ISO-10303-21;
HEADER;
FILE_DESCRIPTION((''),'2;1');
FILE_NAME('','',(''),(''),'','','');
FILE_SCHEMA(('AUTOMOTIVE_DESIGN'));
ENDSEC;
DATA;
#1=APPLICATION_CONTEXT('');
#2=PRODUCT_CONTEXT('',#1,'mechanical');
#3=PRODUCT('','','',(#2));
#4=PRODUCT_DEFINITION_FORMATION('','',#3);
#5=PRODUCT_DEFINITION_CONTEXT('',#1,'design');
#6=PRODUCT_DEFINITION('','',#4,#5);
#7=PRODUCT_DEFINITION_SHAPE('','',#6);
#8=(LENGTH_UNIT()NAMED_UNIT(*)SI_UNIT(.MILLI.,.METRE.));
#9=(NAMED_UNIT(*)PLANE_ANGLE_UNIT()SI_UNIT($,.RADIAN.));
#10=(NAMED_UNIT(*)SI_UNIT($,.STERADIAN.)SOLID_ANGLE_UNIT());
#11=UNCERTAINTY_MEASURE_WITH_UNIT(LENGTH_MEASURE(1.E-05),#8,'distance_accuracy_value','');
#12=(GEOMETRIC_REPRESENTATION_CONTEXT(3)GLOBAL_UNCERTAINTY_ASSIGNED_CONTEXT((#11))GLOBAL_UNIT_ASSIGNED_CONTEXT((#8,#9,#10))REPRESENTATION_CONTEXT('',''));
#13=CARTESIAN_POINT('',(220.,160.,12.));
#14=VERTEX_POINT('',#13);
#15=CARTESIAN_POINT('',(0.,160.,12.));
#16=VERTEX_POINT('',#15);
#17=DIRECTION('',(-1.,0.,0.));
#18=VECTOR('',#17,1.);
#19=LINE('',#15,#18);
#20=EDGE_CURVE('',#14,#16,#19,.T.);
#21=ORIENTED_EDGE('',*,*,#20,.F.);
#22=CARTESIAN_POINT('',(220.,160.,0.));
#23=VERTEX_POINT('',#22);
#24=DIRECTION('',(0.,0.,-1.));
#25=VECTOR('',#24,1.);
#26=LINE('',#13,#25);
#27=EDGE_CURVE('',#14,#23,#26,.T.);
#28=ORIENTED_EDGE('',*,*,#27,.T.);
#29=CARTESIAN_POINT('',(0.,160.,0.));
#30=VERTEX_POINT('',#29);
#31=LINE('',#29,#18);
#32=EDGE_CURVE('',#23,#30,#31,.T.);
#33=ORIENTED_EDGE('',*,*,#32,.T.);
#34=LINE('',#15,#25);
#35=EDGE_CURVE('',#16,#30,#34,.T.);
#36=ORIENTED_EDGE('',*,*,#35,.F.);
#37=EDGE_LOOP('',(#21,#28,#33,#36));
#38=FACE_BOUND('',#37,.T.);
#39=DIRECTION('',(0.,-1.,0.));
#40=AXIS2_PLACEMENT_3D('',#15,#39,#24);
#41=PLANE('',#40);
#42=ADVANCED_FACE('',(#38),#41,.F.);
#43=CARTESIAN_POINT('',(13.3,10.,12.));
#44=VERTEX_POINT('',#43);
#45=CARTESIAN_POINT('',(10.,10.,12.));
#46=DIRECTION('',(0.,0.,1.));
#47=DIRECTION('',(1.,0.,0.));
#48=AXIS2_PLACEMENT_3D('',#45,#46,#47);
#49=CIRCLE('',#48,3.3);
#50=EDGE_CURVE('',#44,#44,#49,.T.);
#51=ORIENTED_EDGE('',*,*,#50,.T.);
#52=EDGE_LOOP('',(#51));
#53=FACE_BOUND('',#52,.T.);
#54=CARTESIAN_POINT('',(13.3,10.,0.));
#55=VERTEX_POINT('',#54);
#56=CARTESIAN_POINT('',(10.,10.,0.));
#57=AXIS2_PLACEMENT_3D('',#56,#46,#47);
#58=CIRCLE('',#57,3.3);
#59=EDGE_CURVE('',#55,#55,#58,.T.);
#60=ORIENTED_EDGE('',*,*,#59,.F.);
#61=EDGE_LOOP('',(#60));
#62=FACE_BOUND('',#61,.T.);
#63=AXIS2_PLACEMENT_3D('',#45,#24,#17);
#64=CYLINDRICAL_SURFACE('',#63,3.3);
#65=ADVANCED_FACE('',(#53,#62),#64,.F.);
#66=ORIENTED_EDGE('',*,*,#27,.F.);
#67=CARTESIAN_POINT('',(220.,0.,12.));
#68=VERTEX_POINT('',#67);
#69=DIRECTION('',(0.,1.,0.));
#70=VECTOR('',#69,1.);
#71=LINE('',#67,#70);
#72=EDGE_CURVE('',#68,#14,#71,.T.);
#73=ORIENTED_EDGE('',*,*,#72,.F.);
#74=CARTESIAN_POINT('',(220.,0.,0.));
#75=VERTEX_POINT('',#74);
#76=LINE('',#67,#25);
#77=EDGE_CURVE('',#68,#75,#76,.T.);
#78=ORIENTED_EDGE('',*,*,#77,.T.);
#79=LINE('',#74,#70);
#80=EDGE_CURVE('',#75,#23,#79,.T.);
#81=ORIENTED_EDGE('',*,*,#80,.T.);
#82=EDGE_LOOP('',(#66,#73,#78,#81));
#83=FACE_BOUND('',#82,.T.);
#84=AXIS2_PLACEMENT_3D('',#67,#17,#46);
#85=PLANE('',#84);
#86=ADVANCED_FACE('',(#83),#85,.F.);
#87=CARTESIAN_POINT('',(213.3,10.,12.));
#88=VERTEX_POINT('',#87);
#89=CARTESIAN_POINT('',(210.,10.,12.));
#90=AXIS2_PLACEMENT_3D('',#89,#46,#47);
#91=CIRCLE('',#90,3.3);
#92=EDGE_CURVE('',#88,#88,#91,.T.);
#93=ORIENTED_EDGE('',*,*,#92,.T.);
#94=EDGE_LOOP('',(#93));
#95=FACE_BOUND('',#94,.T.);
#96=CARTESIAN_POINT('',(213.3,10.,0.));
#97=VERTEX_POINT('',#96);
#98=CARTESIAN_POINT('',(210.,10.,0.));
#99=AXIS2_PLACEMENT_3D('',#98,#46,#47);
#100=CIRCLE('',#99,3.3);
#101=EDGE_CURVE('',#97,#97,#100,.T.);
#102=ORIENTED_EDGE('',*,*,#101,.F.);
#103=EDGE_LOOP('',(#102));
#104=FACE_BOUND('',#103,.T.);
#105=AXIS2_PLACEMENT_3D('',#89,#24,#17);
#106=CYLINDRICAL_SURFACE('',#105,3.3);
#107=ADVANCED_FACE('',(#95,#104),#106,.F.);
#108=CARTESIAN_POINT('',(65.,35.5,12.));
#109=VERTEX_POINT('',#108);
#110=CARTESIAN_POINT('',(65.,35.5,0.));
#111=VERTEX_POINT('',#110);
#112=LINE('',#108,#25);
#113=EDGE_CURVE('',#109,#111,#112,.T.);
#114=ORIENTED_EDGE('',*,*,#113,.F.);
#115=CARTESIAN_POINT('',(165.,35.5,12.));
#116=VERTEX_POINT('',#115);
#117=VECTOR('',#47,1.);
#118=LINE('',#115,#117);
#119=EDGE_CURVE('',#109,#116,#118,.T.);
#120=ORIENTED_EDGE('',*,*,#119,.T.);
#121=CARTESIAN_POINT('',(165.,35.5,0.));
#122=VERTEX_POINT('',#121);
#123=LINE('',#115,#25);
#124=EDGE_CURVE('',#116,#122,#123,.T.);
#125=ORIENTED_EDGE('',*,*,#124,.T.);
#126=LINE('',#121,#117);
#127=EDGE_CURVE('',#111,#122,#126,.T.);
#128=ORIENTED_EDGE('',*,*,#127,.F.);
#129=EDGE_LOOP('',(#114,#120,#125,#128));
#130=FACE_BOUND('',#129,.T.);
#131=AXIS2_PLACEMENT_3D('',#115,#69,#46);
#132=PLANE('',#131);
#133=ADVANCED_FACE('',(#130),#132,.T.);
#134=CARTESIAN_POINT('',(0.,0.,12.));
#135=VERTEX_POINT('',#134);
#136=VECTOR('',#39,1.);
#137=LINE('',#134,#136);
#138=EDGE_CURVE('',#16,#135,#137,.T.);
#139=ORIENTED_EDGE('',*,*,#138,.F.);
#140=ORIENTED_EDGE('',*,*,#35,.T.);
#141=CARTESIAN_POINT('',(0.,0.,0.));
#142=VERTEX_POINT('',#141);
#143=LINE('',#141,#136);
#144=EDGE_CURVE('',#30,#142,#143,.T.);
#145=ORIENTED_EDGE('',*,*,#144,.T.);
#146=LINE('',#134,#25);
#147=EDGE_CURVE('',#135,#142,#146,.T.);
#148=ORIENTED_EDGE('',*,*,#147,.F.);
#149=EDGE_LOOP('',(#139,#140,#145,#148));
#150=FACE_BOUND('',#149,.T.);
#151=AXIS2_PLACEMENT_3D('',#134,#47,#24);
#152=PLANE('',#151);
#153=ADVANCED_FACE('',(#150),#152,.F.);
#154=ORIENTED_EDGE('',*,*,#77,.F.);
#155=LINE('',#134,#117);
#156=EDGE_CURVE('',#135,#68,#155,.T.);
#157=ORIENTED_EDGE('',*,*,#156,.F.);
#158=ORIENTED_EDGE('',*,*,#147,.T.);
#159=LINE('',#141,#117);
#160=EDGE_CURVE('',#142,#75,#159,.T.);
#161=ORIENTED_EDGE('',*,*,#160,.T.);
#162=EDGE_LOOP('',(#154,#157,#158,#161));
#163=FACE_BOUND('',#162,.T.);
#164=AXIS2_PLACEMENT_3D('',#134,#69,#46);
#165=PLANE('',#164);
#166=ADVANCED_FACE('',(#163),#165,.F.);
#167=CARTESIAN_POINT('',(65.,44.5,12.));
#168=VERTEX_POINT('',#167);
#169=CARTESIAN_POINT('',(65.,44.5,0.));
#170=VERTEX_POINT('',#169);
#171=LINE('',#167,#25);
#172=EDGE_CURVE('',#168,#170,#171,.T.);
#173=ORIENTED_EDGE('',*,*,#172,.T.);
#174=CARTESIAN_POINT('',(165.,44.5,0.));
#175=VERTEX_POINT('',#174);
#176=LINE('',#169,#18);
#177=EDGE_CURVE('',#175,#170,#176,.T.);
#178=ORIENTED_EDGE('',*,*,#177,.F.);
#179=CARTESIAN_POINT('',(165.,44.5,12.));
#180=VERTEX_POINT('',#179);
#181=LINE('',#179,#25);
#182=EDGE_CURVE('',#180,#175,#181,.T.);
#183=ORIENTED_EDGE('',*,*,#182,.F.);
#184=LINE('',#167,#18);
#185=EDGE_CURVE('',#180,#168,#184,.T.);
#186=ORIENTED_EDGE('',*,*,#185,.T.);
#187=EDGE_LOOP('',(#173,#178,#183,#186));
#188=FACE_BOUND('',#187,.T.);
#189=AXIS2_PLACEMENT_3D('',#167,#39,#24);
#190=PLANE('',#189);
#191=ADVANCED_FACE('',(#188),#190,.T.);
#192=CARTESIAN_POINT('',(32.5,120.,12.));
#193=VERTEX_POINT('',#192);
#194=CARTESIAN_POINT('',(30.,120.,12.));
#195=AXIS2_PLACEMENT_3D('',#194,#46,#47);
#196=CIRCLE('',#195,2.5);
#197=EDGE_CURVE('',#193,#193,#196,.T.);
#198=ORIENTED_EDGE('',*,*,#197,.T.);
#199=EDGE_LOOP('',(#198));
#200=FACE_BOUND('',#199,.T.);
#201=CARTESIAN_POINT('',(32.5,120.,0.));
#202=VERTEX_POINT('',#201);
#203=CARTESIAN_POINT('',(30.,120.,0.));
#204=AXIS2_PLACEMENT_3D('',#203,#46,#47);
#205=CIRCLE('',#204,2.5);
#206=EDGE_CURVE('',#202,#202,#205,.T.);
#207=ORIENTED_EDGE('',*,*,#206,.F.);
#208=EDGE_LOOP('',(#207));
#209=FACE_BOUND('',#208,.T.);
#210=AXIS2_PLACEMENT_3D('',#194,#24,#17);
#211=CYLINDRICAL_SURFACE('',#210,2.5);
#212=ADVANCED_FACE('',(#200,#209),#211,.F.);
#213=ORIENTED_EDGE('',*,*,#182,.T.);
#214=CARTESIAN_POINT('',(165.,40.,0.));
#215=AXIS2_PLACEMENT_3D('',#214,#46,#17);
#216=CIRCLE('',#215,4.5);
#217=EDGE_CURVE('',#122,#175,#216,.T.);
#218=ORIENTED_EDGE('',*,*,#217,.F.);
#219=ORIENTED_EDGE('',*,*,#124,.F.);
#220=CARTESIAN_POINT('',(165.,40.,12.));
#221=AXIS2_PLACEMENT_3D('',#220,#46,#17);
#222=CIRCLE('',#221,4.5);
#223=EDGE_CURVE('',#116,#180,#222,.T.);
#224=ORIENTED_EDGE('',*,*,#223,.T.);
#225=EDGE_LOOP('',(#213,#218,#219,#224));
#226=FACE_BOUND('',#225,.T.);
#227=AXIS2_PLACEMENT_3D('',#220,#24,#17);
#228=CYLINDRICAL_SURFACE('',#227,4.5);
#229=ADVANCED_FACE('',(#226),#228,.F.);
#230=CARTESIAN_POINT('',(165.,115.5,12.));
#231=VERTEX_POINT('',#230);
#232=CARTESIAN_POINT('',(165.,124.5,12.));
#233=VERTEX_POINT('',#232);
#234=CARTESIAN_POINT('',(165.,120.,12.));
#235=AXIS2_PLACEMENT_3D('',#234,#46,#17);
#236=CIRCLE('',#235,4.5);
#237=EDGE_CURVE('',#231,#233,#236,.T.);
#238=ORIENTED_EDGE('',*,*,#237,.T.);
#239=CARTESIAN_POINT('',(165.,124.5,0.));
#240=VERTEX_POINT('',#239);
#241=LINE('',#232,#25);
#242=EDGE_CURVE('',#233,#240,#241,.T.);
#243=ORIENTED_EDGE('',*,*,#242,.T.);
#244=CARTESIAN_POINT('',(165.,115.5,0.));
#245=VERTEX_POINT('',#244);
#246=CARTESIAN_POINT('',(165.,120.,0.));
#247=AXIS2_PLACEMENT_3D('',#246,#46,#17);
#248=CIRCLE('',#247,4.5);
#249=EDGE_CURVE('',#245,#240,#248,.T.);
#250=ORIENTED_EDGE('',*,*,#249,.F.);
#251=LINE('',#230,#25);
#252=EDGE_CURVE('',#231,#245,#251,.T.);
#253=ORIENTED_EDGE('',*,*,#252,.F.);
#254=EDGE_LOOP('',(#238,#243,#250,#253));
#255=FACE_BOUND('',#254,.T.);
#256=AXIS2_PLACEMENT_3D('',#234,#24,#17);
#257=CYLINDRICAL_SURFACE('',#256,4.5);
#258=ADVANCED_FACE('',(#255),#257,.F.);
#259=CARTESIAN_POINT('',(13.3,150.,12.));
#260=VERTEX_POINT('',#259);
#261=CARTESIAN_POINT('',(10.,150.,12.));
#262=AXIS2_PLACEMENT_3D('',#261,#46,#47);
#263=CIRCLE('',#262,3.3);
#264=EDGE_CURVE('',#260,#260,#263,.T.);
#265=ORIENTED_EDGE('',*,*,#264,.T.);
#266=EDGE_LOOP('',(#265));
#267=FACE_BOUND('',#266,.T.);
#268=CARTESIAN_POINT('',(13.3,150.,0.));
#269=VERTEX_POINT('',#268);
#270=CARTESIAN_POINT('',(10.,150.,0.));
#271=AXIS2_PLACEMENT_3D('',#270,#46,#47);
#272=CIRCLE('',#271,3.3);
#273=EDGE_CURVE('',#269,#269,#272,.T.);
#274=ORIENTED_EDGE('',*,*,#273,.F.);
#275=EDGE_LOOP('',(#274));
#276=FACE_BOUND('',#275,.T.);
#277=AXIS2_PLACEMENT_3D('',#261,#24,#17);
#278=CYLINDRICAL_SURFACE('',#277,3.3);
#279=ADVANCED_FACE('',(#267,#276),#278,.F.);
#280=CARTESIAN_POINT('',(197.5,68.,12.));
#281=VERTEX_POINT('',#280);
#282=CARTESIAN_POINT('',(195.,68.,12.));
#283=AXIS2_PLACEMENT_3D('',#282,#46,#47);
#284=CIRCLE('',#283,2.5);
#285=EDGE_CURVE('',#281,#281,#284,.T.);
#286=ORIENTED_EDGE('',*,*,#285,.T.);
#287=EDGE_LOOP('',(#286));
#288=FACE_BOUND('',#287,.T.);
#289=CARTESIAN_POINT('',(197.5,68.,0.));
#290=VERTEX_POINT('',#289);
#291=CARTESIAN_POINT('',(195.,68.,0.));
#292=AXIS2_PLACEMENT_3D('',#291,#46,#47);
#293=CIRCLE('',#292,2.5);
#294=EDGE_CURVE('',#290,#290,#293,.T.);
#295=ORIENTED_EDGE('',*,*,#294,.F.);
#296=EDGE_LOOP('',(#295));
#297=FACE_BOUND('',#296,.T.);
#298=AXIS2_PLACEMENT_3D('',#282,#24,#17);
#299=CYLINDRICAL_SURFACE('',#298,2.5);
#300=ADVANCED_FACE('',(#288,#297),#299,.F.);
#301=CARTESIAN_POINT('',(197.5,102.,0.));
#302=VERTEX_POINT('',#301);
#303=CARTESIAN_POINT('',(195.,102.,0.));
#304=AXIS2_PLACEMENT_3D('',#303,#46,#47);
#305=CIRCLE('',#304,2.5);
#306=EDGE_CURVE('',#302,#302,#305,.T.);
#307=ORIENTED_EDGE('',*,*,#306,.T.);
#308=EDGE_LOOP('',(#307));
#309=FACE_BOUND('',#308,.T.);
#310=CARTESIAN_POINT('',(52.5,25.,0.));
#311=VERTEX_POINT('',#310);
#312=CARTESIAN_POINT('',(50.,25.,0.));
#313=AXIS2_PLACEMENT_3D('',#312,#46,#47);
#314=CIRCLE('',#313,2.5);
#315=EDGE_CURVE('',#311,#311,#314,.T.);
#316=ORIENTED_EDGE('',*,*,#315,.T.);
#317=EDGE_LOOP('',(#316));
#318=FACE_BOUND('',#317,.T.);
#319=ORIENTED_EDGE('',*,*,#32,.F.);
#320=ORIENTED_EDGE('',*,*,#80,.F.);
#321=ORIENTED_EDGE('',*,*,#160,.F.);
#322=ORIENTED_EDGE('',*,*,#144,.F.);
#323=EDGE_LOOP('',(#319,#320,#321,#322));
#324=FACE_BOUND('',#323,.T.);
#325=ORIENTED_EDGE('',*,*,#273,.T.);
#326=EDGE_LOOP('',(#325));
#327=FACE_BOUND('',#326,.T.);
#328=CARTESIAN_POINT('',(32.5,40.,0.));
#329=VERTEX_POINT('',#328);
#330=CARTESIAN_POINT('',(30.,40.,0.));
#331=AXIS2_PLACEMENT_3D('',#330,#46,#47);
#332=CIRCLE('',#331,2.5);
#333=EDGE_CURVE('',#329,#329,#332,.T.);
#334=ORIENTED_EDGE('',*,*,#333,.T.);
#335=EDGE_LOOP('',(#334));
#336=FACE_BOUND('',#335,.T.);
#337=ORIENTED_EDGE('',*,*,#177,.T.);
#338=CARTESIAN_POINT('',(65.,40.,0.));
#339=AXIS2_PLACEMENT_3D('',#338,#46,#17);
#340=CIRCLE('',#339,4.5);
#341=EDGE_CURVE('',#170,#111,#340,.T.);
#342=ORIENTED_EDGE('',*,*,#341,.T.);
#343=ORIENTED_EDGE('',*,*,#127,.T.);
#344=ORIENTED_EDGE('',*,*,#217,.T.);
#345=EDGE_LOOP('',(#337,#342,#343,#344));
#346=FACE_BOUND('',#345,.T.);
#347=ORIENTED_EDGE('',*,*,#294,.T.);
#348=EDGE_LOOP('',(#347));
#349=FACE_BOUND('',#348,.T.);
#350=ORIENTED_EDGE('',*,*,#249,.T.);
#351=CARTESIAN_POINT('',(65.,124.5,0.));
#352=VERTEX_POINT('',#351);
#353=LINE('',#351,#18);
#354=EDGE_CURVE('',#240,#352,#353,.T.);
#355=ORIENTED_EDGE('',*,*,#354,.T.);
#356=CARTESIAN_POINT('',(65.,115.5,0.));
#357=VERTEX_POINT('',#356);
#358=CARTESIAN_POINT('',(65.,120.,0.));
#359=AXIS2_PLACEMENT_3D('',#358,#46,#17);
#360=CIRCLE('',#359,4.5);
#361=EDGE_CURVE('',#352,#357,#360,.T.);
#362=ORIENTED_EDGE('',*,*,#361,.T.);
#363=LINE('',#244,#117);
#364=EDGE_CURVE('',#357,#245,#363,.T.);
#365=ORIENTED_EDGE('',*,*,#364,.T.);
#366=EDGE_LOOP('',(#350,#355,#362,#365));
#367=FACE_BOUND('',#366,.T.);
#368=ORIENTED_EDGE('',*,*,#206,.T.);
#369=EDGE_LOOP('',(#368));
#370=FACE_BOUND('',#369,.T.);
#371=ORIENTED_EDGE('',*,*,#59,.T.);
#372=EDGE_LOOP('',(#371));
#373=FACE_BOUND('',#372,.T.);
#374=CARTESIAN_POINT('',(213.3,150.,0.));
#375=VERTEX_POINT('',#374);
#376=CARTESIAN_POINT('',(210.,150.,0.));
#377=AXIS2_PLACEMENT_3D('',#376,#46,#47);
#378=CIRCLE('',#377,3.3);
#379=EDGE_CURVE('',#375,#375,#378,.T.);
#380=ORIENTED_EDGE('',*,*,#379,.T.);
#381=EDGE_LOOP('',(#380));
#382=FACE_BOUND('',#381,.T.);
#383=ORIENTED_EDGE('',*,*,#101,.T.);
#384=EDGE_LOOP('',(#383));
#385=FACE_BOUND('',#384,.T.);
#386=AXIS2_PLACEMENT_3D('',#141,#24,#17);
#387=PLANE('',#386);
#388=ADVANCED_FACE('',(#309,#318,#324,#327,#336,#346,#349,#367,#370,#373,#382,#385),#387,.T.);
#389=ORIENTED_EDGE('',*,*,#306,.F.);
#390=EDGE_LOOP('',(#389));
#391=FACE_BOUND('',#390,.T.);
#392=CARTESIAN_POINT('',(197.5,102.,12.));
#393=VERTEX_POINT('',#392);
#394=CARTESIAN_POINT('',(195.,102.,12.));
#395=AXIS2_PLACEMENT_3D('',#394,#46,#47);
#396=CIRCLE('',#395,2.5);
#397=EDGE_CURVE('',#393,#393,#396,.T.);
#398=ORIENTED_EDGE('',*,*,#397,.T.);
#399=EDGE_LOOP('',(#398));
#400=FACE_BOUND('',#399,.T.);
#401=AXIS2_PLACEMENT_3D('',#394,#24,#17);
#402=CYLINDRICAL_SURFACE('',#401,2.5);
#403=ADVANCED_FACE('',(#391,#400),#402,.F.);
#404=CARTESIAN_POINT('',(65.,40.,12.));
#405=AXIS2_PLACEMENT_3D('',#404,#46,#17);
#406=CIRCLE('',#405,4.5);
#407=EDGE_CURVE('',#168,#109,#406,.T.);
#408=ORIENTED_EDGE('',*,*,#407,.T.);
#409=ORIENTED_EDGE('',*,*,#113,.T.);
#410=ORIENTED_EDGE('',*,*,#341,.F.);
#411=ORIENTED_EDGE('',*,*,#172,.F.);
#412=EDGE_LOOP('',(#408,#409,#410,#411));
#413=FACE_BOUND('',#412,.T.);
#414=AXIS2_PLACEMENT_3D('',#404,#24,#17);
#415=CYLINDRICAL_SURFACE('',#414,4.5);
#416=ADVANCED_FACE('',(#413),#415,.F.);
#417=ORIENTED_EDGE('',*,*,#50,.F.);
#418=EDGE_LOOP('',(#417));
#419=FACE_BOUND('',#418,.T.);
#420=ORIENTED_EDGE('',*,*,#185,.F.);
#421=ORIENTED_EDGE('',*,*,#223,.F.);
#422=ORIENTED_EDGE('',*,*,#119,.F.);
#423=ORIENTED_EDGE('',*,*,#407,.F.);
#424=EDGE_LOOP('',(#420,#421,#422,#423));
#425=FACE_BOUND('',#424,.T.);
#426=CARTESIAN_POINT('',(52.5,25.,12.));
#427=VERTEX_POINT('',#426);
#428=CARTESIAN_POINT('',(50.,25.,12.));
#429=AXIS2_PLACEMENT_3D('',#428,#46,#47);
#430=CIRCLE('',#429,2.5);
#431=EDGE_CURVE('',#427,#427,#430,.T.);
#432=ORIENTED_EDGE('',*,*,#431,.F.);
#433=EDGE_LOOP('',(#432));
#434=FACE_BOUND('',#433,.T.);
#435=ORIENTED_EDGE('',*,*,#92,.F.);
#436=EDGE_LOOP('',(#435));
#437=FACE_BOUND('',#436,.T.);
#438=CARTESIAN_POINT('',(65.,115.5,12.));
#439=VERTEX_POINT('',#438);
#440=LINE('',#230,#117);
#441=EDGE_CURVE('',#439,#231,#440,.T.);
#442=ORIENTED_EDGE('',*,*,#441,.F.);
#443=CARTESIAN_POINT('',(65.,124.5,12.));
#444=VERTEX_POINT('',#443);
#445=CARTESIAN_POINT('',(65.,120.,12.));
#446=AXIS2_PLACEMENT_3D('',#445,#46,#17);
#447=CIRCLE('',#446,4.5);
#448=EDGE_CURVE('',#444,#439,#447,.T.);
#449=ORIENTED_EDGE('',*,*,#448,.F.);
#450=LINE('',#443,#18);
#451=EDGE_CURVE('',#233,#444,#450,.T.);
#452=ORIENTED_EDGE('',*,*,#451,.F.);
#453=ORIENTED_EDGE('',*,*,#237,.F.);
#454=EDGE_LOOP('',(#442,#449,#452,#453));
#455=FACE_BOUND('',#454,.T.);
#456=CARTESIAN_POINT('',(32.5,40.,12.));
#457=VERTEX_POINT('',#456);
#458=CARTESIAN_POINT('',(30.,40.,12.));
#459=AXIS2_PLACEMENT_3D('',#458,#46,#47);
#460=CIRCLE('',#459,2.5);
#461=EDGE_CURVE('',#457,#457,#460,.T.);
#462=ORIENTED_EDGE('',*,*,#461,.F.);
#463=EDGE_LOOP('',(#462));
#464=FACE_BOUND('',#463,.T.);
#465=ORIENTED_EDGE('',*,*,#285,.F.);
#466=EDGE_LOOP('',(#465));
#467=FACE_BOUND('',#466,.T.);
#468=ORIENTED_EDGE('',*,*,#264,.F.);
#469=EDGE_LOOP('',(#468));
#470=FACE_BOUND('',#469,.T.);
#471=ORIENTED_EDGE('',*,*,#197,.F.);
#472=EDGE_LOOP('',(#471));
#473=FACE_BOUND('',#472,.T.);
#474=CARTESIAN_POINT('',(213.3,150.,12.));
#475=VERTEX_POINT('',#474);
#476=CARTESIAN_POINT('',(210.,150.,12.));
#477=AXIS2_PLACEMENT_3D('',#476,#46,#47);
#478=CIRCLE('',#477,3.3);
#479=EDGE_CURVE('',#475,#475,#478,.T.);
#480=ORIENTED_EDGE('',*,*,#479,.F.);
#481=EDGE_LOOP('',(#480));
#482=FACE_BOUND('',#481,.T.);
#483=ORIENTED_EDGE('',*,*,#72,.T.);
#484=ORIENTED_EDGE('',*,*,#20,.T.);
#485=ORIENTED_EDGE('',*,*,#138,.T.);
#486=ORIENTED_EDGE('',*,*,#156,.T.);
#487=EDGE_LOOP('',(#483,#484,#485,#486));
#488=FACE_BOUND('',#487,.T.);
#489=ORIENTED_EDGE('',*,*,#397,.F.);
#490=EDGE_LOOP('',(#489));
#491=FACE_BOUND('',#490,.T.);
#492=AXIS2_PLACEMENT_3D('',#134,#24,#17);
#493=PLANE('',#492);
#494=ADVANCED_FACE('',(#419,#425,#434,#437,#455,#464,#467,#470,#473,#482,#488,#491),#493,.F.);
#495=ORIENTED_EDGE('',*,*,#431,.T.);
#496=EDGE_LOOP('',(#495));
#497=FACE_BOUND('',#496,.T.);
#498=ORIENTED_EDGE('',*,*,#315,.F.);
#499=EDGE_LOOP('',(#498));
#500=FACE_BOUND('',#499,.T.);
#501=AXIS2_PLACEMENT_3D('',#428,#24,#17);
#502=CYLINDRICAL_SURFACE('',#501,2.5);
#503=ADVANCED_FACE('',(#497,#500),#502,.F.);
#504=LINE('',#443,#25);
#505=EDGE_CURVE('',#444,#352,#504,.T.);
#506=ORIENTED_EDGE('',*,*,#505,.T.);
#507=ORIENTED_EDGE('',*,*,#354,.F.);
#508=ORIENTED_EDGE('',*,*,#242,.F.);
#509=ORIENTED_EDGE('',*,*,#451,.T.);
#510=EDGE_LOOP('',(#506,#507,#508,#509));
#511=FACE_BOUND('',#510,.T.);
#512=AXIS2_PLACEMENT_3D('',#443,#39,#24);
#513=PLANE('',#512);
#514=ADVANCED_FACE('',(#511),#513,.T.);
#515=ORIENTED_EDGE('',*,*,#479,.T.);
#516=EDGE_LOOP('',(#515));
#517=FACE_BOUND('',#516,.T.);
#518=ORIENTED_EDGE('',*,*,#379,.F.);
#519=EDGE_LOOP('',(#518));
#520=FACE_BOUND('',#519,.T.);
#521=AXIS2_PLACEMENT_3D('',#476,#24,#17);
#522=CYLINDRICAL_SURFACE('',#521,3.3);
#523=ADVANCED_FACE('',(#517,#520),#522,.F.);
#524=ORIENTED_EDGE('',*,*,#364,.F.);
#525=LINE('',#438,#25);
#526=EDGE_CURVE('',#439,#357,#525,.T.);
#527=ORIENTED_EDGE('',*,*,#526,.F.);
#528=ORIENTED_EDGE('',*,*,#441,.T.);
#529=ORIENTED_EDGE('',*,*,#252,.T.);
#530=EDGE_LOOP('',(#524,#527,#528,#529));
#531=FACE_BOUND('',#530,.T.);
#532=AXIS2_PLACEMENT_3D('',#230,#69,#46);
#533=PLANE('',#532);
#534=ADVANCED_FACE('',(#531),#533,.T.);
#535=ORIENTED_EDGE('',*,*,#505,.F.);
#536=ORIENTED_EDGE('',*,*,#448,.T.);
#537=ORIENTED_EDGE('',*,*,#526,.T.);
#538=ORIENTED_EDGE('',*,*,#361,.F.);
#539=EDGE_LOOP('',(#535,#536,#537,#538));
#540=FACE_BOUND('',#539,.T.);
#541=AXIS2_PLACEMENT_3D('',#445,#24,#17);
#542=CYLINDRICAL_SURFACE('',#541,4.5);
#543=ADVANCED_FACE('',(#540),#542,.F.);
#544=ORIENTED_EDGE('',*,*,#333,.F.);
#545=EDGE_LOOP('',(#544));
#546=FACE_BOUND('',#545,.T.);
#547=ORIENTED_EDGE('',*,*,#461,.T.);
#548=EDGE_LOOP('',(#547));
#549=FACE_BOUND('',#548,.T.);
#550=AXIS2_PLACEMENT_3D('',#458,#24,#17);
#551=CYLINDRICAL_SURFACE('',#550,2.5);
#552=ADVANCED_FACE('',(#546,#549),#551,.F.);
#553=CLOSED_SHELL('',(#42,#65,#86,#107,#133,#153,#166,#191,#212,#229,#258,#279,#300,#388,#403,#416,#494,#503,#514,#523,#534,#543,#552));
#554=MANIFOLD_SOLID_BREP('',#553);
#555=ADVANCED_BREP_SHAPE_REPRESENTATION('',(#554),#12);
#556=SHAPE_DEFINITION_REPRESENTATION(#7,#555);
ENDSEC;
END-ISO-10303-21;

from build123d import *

# Parameters (mm, degrees)
SKETCH_1_W                  = 220
SKETCH_1_H                  = 160
SKETCH_1_R                  = 3.3
SKETCH_1_R_2                = 2.5
BASE_PLATE_220X160X12_DEPTH = 12


with BuildPart() as part:
    # 草图1 → Base_plate_220x160x12 (new body)
    with BuildSketch(Plane.XY):
        with Locations((110, 80)):
            Rectangle(SKETCH_1_W, SKETCH_1_H)
        with Locations((10, 10)):
            Circle(SKETCH_1_R, mode=Mode.SUBTRACT)
        with Locations((10, 150)):
            Circle(SKETCH_1_R, mode=Mode.SUBTRACT)
        with Locations((210, 10)):
            Circle(SKETCH_1_R, mode=Mode.SUBTRACT)
        with Locations((210, 150)):
            Circle(SKETCH_1_R, mode=Mode.SUBTRACT)
        with Locations((30, 40)):
            Circle(SKETCH_1_R_2, mode=Mode.SUBTRACT)
        with Locations((30, 120)):
            Circle(SKETCH_1_R_2, mode=Mode.SUBTRACT)
        with Locations((50, 25)):
            Circle(SKETCH_1_R_2, mode=Mode.SUBTRACT)
        with Locations((195, 68)):
            Circle(SKETCH_1_R_2, mode=Mode.SUBTRACT)
        with Locations((195, 102)):
            Circle(SKETCH_1_R_2, mode=Mode.SUBTRACT)
        with BuildLine():
            Line((65, 44.5), (165, 44.5))
            ThreePointArc((165, 44.5), (169.5, 40), (165, 35.5))
            Line((165, 35.5), (65, 35.5))
            ThreePointArc((65, 35.5), (60.5, 40), (65, 44.5))
        make_face(mode=Mode.SUBTRACT)
        with BuildLine():
            Line((65, 124.5), (165, 124.5))
            ThreePointArc((165, 124.5), (169.5, 120), (165, 115.5))
            Line((165, 115.5), (65, 115.5))
            ThreePointArc((65, 115.5), (60.5, 120), (65, 124.5))
        make_face(mode=Mode.SUBTRACT)
    extrude(amount=BASE_PLATE_220X160X12_DEPTH)


solid = part.part
